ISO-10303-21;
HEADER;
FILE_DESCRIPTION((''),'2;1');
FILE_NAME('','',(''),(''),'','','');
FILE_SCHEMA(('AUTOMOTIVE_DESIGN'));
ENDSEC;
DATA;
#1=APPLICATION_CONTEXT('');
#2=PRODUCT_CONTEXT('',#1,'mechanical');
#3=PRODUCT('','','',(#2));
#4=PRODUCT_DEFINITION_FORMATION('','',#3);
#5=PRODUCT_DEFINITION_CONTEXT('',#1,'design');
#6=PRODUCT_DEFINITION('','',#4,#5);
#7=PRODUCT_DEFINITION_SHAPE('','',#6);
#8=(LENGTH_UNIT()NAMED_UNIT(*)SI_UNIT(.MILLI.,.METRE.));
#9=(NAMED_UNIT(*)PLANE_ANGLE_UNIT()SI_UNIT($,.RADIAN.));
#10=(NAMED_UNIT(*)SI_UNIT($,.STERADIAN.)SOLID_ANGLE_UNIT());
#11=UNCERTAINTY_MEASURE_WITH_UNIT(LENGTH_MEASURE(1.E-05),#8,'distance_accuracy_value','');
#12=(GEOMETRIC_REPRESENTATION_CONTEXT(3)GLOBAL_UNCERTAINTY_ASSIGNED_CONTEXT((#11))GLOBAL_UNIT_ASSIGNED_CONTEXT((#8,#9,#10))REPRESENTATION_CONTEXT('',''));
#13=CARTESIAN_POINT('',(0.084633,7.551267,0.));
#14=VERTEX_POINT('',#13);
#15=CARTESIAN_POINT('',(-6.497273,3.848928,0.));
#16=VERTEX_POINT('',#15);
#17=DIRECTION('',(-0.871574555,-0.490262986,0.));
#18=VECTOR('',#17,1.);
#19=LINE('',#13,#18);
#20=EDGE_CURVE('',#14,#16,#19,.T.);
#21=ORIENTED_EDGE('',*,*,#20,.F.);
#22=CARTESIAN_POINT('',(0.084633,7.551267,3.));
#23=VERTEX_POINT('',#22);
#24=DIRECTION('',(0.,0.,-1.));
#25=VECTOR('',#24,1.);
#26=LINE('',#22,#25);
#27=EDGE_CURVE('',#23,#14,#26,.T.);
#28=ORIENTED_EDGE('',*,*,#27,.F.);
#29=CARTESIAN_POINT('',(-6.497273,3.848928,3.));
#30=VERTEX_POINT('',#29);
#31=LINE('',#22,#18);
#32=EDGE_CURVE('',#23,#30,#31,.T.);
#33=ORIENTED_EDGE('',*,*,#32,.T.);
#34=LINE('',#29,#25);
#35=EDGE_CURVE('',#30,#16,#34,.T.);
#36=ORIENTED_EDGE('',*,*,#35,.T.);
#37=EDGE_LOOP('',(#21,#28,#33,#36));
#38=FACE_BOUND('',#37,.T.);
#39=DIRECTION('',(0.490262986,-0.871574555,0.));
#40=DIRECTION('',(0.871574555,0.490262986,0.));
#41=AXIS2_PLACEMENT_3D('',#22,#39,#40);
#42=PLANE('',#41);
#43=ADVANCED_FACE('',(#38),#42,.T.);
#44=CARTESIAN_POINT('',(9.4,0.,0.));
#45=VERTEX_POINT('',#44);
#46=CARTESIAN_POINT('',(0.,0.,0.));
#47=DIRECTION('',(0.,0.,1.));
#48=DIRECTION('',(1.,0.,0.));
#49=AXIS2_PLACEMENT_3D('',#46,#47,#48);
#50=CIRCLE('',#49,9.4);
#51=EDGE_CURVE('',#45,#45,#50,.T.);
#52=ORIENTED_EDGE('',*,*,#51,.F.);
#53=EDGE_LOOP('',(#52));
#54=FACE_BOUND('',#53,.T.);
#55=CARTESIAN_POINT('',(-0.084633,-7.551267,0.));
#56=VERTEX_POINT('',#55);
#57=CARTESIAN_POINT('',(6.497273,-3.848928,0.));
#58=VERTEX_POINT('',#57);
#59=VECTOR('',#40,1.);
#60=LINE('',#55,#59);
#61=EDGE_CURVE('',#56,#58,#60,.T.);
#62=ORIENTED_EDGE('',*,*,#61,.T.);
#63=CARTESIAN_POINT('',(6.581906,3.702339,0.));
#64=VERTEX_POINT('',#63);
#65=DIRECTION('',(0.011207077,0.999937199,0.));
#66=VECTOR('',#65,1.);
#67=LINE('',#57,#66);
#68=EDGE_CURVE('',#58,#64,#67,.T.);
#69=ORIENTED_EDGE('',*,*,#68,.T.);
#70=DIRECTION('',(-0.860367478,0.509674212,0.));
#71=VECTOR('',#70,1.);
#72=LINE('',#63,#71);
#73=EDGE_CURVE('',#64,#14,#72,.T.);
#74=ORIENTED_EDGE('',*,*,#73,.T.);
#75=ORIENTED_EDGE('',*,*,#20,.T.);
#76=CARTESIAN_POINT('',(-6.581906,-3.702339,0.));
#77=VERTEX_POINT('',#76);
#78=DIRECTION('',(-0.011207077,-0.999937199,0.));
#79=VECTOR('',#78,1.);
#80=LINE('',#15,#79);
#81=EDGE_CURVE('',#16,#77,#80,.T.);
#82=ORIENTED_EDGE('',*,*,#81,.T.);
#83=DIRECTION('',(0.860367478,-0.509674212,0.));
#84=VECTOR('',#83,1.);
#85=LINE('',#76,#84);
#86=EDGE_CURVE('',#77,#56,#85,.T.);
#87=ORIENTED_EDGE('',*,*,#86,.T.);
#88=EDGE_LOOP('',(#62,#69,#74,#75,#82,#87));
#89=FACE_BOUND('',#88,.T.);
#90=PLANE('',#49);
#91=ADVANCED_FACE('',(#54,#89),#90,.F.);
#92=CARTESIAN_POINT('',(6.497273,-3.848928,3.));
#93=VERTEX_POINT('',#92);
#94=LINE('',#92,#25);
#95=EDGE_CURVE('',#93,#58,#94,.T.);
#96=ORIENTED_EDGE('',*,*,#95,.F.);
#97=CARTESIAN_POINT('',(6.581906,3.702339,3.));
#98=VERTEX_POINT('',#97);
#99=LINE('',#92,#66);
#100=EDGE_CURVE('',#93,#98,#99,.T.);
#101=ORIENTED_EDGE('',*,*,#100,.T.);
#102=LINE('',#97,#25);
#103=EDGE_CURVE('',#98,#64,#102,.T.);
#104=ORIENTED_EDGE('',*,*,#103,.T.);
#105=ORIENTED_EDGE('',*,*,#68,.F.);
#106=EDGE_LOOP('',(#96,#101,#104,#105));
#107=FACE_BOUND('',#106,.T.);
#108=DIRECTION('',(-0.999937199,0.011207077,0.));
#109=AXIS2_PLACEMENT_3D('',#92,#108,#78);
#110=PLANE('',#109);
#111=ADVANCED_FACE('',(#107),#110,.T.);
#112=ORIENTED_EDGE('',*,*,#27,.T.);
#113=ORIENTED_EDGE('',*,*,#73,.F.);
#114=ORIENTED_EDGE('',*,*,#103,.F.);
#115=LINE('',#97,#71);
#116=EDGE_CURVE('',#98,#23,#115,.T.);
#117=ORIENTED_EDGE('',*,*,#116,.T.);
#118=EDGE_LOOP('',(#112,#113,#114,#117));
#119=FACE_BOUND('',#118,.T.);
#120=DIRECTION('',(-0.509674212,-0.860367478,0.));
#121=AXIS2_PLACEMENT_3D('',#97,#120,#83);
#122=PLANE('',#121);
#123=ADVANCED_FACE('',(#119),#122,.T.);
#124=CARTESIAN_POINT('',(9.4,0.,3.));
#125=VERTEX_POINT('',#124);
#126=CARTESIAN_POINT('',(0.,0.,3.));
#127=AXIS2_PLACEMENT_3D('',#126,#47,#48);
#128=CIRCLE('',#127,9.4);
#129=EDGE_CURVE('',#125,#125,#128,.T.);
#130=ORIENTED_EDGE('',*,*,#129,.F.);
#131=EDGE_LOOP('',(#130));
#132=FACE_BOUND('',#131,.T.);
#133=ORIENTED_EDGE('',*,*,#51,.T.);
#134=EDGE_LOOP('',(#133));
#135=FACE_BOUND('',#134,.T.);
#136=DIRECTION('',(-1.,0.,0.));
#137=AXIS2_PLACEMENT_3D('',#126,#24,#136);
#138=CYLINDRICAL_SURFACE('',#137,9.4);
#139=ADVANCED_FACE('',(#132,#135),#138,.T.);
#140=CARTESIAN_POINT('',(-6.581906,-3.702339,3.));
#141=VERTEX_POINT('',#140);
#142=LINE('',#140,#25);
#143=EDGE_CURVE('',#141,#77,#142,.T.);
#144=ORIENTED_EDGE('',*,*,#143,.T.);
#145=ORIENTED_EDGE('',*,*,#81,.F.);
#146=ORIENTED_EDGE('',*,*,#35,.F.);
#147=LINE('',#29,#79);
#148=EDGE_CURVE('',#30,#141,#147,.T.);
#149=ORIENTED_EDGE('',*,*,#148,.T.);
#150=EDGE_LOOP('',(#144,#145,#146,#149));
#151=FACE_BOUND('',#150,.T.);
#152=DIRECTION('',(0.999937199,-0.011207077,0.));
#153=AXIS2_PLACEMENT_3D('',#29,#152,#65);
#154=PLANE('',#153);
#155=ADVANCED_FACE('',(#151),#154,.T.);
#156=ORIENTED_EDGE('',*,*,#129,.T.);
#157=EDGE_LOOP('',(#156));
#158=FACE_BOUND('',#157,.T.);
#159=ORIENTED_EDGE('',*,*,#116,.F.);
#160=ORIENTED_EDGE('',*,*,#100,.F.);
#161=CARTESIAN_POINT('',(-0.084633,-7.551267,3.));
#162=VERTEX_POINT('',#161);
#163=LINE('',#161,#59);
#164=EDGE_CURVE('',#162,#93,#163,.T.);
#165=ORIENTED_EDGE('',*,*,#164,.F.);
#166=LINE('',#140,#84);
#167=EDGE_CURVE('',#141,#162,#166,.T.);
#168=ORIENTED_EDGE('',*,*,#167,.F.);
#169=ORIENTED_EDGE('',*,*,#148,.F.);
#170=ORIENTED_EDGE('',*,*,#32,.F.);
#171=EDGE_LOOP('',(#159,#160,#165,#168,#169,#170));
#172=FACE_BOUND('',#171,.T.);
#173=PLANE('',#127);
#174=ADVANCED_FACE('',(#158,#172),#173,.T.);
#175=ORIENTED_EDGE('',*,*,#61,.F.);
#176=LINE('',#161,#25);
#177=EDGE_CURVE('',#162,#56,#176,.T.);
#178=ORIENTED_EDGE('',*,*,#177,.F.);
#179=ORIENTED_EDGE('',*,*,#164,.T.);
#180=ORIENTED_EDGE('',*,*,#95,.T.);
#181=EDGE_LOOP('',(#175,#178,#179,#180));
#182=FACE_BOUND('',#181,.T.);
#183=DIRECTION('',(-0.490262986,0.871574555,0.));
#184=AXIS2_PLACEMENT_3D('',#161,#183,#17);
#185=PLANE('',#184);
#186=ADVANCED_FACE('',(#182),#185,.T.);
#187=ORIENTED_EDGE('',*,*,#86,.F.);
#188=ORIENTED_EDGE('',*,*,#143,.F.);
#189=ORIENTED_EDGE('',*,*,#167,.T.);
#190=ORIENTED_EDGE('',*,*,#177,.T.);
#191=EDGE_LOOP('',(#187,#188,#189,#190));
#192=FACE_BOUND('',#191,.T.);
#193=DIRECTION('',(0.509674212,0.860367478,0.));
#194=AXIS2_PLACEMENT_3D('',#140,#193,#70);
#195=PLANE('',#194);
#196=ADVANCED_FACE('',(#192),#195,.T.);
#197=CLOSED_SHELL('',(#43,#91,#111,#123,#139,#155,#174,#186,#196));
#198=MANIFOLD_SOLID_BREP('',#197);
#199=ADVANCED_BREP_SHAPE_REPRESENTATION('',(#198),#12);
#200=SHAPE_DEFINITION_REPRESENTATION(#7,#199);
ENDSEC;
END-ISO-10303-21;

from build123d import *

# Parameters (mm, degrees)
CROQUIS1_R              = 9.4
SALIENTE_EXTRUIR2_DEPTH = 3


with BuildPart() as part:
    # Croquis1 → Saliente-Extruir2 (new body)
    with BuildSketch(Plane.XY):
        Circle(CROQUIS1_R)
        Polygon((6.497272807, -3.848927913), (6.581905753, 3.70233935), (0.084632946, 7.551267262), (-6.497272807, 3.848927913), (-6.581905753, -3.70233935), (-0.084632946, -7.551267262), align=None, mode=Mode.SUBTRACT)
    extrude(amount=SALIENTE_EXTRUIR2_DEPTH)


solid = part.part
